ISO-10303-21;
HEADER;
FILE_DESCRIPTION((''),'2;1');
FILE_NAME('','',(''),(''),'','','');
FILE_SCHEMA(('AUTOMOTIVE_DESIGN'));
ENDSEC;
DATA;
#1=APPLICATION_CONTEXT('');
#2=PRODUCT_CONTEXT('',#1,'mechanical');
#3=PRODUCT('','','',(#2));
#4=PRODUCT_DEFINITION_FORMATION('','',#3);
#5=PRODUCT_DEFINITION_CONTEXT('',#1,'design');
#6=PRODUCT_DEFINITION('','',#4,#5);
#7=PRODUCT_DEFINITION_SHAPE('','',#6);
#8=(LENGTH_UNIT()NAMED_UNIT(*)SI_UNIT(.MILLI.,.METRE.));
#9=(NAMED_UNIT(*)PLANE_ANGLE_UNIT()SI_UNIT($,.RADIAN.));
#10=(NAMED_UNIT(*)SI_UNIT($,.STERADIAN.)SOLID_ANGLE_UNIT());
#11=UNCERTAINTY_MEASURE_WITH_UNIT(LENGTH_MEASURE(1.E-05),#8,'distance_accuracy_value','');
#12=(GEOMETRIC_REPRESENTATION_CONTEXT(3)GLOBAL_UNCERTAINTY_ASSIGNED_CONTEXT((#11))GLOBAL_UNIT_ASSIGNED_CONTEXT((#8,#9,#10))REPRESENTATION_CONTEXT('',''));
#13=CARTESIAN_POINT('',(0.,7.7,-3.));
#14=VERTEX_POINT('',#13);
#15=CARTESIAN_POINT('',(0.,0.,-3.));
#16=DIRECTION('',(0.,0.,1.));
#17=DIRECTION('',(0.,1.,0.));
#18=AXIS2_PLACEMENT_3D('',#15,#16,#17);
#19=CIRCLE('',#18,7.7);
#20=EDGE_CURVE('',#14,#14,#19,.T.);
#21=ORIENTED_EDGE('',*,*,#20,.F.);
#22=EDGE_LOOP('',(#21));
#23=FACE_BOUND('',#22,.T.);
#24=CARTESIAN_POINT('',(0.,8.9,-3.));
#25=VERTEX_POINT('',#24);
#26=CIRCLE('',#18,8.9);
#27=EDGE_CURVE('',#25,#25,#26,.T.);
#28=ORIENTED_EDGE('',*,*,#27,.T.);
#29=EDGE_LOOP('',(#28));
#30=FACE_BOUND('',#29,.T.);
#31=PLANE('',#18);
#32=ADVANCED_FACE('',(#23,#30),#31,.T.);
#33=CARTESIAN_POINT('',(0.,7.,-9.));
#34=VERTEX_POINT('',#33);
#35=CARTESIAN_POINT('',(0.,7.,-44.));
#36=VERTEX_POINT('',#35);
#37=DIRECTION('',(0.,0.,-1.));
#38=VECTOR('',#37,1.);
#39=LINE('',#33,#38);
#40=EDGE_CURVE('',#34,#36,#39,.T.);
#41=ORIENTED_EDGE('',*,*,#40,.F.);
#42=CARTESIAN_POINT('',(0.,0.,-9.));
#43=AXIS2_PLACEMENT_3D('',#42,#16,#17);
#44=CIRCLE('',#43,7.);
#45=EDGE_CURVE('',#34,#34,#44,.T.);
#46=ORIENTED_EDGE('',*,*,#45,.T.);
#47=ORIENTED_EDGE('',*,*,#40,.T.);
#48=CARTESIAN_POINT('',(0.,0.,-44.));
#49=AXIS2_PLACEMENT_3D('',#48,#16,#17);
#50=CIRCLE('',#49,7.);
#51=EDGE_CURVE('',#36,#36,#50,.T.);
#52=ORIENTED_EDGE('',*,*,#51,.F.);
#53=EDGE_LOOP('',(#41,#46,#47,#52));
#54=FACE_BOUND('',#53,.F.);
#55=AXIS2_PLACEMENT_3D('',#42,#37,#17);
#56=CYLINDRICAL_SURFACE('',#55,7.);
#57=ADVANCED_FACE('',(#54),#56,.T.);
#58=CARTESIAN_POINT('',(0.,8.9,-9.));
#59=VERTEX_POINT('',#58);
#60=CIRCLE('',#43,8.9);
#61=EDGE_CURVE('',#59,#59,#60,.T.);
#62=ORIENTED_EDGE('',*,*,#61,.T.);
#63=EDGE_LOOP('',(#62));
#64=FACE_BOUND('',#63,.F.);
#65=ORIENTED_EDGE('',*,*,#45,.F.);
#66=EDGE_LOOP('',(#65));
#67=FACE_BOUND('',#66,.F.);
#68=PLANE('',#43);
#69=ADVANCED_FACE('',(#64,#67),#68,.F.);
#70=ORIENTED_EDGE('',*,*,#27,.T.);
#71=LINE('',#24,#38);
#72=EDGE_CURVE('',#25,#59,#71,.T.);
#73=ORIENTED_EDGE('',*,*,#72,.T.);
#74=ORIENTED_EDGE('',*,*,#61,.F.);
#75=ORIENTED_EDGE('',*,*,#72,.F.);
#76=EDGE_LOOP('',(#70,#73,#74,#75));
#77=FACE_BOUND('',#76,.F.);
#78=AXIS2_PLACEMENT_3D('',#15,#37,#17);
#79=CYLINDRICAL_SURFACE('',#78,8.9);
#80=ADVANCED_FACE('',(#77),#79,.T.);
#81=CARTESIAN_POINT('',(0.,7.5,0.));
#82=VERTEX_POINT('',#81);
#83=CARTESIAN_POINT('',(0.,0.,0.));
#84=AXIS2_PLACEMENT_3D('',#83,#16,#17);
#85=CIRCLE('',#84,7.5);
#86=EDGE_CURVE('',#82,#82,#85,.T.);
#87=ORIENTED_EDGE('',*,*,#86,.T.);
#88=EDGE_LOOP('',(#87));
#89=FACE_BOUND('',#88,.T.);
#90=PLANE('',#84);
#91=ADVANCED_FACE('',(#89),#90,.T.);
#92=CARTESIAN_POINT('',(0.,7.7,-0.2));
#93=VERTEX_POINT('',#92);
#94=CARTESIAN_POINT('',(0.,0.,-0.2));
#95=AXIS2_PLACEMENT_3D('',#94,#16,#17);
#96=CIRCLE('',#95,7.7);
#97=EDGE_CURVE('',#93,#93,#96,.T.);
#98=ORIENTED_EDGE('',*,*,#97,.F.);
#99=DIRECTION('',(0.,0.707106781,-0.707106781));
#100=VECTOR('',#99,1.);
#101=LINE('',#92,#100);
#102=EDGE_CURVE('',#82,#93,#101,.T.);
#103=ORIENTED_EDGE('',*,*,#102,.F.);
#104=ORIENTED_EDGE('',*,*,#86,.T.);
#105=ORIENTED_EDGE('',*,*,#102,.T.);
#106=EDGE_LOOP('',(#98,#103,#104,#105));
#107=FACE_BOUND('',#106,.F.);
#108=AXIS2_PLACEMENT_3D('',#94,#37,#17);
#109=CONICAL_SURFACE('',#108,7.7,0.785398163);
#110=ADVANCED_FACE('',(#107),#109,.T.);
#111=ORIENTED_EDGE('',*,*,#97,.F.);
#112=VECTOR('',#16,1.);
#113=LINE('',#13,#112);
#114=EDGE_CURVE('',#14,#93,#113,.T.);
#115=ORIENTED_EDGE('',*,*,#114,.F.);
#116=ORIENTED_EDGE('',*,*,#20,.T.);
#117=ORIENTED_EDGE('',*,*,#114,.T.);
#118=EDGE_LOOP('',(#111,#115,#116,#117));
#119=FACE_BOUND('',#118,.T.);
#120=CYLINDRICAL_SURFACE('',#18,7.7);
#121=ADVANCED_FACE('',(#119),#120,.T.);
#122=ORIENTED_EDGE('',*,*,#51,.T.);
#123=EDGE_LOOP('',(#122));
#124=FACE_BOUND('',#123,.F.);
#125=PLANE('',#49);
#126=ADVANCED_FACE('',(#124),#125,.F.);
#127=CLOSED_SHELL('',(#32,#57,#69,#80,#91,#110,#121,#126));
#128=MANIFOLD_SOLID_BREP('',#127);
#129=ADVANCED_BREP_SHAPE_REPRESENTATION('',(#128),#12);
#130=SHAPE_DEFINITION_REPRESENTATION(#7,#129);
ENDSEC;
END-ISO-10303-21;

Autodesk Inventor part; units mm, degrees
ref_plane "YZ Plane" through (0, 0, 0) normal (1, 0, 0) x (0, 1, 0)
ref_plane "XZ Plane" through (0, 0, 0) normal (0, 1, 0) x (-1, 0, 0)
ref_plane "XY Plane" through (0, 0, 0) normal (0, 0, 1) x (1, 0, 0)
sketch "スケッチ1" plane through (0, 0, 0) normal (1, 0, 0) x (0, 1, 0)
  line L0 (8.9, -3) -> (8.9, -9)
  line L1 (8.9, -9) -> (7, -9)
  line L2 (7, -9) -> (7, -44)
  line L3 (7, -44) -> (0, -44)
  line L4 (0, -44) -> (0, 0)
  line L5 (8.9, -3) -> (7.7, -3)
  line L6 (7.7, -3) -> (7.7, 0)
  line L7 (7.7, 0) -> (0, 0)
  dimension "d0" = 8.9
  dimension "d1" = 3
  dimension "d2" = 9
  dimension "d4" = 7.7
  dimension "d5" = 7
  dimension "d10" = 35
revolve "回転1" add sketch "スケッチ1" angle 360 about axis through (0, 0, -44) along (0, 0, 1)
chamfer "面取り1" distance 0.2 angle 45 1 edges at (0, -7.7, 0)
properties part number "AP6MS54G" material "ABS プラスチック"
